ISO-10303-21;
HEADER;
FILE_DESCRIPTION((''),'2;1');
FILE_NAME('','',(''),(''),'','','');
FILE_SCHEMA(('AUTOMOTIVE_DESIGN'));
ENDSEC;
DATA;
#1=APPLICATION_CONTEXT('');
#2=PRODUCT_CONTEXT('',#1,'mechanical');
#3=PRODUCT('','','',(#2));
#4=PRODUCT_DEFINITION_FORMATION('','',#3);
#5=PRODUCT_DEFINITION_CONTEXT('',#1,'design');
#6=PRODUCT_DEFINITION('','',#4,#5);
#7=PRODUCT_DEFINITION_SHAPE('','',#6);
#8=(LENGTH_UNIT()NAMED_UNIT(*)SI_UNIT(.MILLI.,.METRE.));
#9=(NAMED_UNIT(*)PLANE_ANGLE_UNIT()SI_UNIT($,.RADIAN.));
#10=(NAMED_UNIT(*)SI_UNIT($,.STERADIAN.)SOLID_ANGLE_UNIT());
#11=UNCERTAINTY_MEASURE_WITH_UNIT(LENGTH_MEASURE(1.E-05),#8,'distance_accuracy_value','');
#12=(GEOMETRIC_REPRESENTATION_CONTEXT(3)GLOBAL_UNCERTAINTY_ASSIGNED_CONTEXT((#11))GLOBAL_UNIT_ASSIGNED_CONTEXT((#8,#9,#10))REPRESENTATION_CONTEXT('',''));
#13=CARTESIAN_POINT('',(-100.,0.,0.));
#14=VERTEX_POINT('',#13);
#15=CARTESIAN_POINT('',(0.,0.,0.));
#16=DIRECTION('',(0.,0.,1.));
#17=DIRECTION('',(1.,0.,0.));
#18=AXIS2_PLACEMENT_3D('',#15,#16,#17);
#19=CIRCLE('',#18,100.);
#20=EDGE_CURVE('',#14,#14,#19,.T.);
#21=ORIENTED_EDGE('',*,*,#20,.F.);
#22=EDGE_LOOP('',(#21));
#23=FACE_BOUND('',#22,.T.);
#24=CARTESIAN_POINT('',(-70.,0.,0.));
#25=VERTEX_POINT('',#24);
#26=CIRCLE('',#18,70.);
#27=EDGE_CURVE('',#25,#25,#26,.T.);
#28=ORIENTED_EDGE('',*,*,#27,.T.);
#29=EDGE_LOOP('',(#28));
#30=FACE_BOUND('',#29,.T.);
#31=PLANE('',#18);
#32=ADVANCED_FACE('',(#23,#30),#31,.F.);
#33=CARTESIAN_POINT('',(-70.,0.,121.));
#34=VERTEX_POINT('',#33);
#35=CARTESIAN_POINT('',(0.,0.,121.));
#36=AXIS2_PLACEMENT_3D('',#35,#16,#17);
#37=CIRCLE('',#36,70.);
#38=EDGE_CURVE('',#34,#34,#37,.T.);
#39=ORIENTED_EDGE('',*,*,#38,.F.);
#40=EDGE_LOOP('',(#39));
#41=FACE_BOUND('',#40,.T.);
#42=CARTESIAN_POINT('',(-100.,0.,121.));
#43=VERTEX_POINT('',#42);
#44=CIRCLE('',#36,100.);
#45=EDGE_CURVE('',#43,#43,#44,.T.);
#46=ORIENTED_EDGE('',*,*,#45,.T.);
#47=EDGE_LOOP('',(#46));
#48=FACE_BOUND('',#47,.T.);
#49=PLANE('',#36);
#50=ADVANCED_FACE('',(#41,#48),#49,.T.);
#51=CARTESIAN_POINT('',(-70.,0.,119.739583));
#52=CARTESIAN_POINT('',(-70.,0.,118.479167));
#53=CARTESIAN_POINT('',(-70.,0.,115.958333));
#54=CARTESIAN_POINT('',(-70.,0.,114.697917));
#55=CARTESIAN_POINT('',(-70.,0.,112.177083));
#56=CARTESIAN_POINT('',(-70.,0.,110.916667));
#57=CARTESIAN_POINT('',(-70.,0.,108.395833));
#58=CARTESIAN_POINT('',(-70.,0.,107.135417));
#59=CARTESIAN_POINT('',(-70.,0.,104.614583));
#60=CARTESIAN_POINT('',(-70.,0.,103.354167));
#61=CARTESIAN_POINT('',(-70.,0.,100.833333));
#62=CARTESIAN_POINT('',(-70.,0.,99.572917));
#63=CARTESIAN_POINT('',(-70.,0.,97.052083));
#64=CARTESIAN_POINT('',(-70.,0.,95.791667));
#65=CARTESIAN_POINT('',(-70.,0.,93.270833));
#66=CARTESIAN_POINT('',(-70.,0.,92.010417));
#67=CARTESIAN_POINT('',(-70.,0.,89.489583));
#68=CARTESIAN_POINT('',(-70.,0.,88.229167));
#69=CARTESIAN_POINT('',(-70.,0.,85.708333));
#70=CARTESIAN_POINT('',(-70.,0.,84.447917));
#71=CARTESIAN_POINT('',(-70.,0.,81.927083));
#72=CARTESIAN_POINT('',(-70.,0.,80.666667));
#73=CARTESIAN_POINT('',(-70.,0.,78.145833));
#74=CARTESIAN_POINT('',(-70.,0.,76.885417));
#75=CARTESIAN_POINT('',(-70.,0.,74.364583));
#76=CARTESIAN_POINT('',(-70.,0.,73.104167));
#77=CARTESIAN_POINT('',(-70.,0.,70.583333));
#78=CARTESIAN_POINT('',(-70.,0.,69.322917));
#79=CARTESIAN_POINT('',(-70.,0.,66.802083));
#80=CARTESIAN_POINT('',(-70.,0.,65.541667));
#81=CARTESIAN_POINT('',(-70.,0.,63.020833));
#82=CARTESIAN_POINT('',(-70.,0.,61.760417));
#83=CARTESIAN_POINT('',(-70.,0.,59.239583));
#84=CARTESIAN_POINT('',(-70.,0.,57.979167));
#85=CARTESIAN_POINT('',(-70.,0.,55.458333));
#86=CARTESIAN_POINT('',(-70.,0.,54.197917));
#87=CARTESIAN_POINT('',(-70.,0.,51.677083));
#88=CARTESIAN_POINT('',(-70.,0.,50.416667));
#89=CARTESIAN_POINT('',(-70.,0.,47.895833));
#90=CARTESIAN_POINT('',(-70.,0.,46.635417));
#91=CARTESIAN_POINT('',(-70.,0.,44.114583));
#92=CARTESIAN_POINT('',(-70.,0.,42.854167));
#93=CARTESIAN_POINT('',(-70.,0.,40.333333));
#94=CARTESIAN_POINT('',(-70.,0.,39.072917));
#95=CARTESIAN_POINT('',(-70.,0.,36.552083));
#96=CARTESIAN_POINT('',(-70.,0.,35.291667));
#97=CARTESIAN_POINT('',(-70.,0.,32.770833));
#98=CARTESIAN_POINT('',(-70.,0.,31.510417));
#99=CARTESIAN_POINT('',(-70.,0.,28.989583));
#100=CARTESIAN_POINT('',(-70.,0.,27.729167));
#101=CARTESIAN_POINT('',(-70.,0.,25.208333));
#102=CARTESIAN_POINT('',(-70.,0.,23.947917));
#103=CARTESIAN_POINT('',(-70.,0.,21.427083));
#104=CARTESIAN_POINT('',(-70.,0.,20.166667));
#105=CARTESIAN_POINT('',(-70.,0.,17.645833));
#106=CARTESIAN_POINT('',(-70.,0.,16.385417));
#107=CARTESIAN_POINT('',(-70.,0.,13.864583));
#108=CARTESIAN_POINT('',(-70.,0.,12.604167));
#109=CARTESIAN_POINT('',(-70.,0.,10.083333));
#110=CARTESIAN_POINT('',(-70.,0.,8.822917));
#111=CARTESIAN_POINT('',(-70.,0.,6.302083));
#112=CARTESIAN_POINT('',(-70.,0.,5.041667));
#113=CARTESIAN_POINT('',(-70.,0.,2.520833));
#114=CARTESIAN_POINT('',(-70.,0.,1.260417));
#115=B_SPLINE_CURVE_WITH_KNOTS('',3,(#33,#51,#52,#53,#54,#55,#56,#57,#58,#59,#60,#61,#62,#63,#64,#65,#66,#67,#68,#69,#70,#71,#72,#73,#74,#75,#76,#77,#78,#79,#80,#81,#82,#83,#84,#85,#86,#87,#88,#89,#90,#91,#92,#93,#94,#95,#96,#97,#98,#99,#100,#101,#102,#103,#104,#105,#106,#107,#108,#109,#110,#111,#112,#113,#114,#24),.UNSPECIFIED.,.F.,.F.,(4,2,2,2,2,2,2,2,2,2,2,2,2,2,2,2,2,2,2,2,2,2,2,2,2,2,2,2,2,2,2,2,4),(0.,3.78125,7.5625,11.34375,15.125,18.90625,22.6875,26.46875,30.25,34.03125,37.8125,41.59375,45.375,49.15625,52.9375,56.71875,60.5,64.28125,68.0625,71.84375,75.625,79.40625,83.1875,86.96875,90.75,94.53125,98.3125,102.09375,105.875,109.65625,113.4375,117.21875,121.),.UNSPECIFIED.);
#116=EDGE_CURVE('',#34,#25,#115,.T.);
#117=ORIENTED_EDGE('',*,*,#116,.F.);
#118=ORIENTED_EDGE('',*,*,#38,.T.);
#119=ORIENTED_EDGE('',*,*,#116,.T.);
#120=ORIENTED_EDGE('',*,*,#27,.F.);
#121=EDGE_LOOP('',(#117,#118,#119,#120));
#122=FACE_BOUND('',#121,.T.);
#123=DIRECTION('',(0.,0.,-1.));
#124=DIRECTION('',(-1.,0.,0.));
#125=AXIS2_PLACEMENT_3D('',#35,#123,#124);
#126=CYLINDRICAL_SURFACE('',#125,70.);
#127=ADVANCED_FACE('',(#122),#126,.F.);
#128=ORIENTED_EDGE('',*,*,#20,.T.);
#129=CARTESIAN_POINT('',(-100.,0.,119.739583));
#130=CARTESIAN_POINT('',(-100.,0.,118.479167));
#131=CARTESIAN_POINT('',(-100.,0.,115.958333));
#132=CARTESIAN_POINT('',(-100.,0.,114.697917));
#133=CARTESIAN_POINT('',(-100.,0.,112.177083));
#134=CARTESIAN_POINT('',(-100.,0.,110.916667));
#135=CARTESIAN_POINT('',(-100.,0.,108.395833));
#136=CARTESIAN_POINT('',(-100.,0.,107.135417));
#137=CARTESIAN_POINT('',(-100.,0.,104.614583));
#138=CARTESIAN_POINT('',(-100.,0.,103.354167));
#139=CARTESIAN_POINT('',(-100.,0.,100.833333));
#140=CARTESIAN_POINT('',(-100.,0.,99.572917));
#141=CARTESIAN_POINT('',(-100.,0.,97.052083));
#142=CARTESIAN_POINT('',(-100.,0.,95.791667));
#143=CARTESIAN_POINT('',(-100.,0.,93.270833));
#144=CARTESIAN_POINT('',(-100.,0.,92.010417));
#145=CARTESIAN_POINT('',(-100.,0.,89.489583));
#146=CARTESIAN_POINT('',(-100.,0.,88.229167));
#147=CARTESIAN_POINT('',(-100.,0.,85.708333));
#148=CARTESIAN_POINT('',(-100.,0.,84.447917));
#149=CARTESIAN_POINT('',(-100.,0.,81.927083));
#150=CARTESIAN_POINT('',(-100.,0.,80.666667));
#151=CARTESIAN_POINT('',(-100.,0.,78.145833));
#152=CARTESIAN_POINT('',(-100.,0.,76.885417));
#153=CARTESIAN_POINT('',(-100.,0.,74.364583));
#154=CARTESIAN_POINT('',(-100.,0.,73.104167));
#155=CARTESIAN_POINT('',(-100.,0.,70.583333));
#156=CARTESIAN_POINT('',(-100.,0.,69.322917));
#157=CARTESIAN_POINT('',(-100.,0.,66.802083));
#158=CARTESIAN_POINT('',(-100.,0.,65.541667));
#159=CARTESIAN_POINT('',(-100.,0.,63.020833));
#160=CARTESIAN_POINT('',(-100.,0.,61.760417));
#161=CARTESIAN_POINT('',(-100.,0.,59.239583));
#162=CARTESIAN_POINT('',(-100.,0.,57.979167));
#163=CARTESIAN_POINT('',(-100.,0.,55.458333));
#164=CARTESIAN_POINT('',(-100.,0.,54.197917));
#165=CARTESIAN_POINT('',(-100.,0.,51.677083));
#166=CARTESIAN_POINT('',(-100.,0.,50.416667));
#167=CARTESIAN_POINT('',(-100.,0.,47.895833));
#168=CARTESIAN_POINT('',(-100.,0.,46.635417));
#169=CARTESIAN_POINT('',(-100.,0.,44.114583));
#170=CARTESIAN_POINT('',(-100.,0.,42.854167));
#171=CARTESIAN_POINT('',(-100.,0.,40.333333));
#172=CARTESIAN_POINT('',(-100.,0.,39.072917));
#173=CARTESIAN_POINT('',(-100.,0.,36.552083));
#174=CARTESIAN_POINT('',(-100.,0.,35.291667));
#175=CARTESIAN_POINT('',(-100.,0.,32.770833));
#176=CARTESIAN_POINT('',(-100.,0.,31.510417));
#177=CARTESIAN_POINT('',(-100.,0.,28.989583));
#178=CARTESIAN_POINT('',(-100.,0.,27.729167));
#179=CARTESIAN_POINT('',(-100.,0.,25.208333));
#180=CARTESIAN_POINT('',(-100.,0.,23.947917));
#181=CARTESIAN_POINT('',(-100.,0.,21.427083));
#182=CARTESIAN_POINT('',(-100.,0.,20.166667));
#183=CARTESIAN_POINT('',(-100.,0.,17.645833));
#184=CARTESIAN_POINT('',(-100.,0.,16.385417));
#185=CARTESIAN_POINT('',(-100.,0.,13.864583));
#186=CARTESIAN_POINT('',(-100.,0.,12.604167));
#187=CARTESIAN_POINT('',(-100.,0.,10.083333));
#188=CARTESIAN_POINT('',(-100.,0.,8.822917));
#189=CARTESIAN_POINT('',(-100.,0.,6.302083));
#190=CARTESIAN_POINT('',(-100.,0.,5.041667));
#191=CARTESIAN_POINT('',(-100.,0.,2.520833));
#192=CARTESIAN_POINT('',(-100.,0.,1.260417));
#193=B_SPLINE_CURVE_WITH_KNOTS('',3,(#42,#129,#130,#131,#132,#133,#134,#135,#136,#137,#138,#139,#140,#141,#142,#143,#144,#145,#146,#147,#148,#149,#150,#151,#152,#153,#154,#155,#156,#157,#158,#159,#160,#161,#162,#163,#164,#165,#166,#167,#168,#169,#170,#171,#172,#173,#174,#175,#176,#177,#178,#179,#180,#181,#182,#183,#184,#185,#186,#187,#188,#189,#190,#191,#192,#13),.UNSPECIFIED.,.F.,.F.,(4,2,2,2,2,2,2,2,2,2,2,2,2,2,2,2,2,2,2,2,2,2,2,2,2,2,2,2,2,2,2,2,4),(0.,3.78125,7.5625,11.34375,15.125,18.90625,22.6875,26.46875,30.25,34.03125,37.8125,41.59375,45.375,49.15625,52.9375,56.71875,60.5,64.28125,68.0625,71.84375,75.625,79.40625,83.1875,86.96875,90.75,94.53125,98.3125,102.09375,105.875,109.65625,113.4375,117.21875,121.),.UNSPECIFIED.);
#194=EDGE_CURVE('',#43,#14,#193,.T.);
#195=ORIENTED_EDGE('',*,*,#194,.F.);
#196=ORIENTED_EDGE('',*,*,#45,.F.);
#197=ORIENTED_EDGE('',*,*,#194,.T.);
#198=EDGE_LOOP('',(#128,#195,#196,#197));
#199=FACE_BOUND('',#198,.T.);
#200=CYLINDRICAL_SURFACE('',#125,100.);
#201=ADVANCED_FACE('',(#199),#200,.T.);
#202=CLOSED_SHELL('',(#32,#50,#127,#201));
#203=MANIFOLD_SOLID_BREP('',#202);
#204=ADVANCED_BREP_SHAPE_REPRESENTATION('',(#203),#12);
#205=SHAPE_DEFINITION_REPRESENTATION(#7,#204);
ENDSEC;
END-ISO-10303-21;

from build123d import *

# Parameters (mm, degrees)
SCHIZZO1_R                   = 100
SCHIZZO1_R_2                 = 70
ESTRUSIONE_ESTRUSIONE1_DEPTH = 121


with BuildPart() as part:
    # Schizzo1 → Estrusione-Estrusione1 (new body)
    with BuildSketch(Plane.XY):
        with Locations(Location((0, 0, 0), (0, 0, 180))):
            Circle(SCHIZZO1_R)
        with Locations(Location((0, 0, 0), (0, 0, 180))):
            Circle(SCHIZZO1_R_2, mode=Mode.SUBTRACT)
    extrude(amount=ESTRUSIONE_ESTRUSIONE1_DEPTH)


solid = part.part
